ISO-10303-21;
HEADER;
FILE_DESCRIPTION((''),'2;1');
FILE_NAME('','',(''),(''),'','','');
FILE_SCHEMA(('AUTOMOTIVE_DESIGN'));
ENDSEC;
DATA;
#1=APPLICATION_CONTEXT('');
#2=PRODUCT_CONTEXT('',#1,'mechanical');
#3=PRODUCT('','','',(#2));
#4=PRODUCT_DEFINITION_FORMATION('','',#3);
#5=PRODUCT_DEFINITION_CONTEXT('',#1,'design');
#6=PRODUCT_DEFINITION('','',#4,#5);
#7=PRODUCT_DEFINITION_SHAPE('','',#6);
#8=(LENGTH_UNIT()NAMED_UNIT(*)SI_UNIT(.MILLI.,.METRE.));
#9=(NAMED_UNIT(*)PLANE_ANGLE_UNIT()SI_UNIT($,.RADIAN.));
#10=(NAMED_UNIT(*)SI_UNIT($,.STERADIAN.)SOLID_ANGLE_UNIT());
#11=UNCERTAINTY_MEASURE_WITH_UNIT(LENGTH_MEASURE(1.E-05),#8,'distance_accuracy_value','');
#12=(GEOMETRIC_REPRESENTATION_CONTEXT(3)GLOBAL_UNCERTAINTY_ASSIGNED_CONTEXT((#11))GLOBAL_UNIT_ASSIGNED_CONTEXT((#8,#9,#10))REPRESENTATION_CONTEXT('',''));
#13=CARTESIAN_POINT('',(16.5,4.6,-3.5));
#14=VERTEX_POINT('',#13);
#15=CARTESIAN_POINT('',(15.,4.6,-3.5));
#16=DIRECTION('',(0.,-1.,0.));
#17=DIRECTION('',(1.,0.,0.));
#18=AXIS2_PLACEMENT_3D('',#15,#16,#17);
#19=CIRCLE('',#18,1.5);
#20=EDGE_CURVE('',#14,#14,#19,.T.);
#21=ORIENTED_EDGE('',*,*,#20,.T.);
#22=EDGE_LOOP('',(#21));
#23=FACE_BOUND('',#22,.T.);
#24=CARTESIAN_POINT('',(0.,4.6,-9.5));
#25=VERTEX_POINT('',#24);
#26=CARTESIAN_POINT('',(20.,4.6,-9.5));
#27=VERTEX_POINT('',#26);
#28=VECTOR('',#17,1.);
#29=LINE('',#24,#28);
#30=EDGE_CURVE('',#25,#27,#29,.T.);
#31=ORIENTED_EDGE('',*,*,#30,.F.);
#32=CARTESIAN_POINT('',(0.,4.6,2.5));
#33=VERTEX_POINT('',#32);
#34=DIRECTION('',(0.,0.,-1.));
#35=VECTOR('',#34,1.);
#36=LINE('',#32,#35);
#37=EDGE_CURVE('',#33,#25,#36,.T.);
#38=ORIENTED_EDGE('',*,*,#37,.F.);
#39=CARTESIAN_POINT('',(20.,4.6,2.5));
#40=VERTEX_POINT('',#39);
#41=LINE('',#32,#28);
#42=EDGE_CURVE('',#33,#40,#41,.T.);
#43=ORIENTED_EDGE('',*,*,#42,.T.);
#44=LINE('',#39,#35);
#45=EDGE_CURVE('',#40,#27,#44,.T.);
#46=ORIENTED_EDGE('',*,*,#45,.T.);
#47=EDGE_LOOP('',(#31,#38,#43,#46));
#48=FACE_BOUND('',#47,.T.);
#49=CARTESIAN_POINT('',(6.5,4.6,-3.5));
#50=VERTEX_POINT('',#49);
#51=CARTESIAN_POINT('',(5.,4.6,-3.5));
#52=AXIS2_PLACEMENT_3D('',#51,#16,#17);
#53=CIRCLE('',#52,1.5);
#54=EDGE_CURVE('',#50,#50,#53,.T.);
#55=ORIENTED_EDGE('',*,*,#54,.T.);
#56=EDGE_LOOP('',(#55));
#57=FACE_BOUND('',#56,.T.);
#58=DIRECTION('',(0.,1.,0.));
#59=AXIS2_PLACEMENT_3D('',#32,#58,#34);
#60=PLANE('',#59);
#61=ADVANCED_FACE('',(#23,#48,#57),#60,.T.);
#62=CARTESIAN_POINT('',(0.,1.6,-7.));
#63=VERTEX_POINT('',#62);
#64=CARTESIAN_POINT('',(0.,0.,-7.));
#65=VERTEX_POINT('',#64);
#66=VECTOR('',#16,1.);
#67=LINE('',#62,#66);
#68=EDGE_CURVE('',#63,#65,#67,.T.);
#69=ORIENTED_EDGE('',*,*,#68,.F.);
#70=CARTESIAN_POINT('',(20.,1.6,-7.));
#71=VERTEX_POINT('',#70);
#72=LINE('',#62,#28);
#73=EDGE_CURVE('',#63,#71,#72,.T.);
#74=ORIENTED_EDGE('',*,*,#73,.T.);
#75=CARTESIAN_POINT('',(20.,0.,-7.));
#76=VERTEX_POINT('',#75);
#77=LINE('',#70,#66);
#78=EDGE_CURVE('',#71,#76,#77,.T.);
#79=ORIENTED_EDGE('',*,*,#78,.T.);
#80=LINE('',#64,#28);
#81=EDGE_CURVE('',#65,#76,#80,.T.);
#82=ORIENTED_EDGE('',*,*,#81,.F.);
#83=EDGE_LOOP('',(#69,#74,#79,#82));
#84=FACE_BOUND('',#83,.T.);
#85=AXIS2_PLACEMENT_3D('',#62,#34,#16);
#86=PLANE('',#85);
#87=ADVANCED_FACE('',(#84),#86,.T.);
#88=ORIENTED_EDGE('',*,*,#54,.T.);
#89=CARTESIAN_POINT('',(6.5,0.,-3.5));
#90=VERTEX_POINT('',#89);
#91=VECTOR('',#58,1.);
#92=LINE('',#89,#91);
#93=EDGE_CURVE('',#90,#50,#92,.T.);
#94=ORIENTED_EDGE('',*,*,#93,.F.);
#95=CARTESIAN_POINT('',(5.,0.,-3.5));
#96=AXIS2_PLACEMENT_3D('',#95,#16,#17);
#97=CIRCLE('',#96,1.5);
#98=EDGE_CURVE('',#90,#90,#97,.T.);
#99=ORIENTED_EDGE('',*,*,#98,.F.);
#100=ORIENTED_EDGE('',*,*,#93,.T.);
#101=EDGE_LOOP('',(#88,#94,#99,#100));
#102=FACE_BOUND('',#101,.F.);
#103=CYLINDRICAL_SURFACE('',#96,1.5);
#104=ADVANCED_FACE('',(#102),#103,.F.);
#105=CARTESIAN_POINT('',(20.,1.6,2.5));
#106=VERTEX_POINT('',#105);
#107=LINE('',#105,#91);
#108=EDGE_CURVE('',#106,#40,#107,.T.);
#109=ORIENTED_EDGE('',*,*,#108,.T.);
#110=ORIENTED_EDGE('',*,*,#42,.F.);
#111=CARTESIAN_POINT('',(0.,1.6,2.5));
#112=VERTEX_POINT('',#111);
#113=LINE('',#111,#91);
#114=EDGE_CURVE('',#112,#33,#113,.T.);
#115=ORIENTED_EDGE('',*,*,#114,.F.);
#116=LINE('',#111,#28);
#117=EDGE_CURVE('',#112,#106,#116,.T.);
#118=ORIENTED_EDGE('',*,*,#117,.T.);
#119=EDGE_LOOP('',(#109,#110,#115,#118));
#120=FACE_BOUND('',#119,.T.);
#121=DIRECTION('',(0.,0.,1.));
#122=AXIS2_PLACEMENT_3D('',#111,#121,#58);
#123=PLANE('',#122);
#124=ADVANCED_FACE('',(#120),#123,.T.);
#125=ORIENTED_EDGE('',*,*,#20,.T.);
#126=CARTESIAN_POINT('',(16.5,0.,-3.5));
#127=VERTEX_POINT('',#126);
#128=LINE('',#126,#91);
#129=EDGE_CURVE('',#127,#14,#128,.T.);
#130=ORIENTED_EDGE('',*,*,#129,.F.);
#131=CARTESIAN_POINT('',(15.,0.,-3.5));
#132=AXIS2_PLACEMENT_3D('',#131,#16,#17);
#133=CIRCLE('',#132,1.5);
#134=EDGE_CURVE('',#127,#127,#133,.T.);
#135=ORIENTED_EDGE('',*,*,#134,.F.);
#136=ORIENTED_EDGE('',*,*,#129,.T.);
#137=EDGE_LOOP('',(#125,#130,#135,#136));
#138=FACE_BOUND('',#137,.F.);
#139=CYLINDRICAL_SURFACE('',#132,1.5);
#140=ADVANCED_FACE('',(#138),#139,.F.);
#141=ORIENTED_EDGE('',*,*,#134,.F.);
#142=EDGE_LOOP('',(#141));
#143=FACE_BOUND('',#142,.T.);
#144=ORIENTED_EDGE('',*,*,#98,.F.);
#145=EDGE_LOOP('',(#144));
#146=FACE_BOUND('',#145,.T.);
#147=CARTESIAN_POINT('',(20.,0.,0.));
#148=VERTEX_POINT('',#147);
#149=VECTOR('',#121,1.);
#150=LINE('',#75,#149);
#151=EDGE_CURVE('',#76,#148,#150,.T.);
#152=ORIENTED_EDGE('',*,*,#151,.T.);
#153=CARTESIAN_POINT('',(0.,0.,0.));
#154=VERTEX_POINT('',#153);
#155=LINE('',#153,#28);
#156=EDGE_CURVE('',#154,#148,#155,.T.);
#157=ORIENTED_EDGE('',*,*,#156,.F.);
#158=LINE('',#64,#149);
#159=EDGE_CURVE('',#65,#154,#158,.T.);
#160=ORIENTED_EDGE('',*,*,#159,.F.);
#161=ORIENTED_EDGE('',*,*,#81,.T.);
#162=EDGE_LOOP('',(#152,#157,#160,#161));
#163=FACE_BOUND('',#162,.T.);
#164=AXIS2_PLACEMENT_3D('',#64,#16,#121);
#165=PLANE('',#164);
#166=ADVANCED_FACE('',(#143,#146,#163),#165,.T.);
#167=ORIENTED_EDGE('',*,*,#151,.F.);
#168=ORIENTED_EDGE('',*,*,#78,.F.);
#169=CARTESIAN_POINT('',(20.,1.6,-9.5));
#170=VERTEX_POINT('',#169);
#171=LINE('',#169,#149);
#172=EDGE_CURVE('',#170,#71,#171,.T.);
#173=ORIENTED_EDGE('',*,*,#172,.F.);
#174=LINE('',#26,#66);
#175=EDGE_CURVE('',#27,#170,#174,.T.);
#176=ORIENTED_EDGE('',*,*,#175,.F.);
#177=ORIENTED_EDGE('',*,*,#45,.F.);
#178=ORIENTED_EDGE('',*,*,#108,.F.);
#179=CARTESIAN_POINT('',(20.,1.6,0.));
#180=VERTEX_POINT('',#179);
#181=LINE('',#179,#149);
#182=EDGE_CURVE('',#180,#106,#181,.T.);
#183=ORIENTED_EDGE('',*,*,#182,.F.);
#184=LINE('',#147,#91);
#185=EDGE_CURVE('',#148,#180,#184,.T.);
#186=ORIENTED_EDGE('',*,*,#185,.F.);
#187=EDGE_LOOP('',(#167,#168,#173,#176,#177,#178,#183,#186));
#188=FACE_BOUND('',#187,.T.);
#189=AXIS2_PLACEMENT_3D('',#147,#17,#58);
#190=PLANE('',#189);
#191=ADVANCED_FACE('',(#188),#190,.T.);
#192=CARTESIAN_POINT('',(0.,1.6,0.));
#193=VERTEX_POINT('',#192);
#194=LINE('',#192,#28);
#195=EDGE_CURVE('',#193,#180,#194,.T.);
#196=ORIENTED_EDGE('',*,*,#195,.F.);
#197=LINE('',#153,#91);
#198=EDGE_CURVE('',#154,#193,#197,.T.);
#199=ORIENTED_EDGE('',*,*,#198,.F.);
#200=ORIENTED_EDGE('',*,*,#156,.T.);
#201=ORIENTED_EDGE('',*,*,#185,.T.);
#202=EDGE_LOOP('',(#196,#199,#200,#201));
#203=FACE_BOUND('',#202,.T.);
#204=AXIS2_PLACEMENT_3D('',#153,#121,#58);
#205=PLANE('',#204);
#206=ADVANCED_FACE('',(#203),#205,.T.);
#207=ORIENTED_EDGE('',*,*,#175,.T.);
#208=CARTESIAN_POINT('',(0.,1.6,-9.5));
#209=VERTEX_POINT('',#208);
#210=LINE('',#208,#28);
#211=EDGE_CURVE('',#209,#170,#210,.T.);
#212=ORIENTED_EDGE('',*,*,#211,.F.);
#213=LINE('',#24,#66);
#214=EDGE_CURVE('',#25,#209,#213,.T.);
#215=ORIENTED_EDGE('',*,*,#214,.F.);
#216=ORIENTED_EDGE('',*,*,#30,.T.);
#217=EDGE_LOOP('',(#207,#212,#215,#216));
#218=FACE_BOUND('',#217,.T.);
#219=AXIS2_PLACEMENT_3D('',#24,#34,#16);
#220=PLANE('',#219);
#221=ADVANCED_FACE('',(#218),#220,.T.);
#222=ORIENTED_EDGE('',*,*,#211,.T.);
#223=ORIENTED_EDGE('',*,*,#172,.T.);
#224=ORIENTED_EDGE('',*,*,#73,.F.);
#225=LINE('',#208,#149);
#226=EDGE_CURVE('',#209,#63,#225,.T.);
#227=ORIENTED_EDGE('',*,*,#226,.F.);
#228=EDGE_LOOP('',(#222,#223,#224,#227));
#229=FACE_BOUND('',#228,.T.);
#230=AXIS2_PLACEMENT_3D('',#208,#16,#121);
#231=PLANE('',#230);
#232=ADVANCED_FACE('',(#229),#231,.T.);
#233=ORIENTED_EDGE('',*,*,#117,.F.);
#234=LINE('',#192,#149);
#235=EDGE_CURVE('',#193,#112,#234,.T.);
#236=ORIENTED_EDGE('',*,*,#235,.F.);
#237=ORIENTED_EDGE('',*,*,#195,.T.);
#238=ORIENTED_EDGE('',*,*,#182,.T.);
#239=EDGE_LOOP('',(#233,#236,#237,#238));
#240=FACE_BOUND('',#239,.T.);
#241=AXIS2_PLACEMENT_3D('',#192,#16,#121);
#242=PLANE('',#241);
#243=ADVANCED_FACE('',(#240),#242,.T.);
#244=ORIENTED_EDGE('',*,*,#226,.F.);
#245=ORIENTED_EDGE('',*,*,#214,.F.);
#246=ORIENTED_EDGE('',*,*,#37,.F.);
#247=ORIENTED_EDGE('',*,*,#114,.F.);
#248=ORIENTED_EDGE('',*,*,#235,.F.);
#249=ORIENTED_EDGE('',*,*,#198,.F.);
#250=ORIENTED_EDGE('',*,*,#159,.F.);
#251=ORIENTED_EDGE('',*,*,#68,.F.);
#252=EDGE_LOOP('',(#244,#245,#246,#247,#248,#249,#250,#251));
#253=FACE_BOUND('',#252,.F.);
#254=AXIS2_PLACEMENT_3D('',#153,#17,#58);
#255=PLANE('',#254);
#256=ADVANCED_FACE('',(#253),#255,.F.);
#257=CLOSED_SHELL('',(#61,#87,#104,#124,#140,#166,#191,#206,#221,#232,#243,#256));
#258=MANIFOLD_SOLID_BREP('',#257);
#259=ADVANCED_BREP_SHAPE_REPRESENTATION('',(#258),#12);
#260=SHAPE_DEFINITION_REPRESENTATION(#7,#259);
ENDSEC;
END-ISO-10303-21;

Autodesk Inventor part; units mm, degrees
ref_plane "YZ Plane" through (0, 0, 0) normal (1, 0, 0) x (0, 1, 0)
ref_plane "XZ Plane" through (0, 0, 0) normal (0, 1, 0) x (-1, 0, 0)
ref_plane "XY Plane" through (0, 0, 0) normal (0, 0, 1) x (1, 0, 0)
sketch "スケッチ1" plane through (0, 0, 0) normal (1, 0, 0) x (0, 1, 0)
  line L0 (0, 0) -> (1.6, 0)
  line L1 (1.6, 0) -> (1.6, 2.5)
  line L2 (1.6, 2.5) -> (4.6, 2.5)
  line L3 (4.6, 2.5) -> (4.6, -9.5)
  line L4 (4.6, -9.5) -> (1.6, -9.5)
  line L5 (1.6, -9.5) -> (1.6, -7)
  line L6 (1.6, -7) -> (0, -7)
  line L7 (0, -7) -> (0, 0)
  dimension "d0" = 4.6
  dimension "d1" = 7
  dimension "d2" = 12
  dimension "d3" = 2.5
  dimension "d4" = 3
extrude "押し出し1" add sketch "スケッチ1" along normal blind 20
sketch "スケッチ2" plane through (0, 0, -7) normal (0, -1, 0) x (1, 0, 0)
  circle A0 centre (5, 3.5) radius 1.5
  circle A1 centre (15, 3.5) radius 1.5
  line L0 (0, 0) -> (0, 7) projected
  point P0 (0, 3.5)
  dimension "d7" = 3
  dimension "d8" = 3
  dimension "d9" = 5
  dimension "d10" = 10
extrude "押し出し2" cut sketch "スケッチ2" against normal through all
properties part number "slider2b" material "アルミニウム 6061-AHC"
